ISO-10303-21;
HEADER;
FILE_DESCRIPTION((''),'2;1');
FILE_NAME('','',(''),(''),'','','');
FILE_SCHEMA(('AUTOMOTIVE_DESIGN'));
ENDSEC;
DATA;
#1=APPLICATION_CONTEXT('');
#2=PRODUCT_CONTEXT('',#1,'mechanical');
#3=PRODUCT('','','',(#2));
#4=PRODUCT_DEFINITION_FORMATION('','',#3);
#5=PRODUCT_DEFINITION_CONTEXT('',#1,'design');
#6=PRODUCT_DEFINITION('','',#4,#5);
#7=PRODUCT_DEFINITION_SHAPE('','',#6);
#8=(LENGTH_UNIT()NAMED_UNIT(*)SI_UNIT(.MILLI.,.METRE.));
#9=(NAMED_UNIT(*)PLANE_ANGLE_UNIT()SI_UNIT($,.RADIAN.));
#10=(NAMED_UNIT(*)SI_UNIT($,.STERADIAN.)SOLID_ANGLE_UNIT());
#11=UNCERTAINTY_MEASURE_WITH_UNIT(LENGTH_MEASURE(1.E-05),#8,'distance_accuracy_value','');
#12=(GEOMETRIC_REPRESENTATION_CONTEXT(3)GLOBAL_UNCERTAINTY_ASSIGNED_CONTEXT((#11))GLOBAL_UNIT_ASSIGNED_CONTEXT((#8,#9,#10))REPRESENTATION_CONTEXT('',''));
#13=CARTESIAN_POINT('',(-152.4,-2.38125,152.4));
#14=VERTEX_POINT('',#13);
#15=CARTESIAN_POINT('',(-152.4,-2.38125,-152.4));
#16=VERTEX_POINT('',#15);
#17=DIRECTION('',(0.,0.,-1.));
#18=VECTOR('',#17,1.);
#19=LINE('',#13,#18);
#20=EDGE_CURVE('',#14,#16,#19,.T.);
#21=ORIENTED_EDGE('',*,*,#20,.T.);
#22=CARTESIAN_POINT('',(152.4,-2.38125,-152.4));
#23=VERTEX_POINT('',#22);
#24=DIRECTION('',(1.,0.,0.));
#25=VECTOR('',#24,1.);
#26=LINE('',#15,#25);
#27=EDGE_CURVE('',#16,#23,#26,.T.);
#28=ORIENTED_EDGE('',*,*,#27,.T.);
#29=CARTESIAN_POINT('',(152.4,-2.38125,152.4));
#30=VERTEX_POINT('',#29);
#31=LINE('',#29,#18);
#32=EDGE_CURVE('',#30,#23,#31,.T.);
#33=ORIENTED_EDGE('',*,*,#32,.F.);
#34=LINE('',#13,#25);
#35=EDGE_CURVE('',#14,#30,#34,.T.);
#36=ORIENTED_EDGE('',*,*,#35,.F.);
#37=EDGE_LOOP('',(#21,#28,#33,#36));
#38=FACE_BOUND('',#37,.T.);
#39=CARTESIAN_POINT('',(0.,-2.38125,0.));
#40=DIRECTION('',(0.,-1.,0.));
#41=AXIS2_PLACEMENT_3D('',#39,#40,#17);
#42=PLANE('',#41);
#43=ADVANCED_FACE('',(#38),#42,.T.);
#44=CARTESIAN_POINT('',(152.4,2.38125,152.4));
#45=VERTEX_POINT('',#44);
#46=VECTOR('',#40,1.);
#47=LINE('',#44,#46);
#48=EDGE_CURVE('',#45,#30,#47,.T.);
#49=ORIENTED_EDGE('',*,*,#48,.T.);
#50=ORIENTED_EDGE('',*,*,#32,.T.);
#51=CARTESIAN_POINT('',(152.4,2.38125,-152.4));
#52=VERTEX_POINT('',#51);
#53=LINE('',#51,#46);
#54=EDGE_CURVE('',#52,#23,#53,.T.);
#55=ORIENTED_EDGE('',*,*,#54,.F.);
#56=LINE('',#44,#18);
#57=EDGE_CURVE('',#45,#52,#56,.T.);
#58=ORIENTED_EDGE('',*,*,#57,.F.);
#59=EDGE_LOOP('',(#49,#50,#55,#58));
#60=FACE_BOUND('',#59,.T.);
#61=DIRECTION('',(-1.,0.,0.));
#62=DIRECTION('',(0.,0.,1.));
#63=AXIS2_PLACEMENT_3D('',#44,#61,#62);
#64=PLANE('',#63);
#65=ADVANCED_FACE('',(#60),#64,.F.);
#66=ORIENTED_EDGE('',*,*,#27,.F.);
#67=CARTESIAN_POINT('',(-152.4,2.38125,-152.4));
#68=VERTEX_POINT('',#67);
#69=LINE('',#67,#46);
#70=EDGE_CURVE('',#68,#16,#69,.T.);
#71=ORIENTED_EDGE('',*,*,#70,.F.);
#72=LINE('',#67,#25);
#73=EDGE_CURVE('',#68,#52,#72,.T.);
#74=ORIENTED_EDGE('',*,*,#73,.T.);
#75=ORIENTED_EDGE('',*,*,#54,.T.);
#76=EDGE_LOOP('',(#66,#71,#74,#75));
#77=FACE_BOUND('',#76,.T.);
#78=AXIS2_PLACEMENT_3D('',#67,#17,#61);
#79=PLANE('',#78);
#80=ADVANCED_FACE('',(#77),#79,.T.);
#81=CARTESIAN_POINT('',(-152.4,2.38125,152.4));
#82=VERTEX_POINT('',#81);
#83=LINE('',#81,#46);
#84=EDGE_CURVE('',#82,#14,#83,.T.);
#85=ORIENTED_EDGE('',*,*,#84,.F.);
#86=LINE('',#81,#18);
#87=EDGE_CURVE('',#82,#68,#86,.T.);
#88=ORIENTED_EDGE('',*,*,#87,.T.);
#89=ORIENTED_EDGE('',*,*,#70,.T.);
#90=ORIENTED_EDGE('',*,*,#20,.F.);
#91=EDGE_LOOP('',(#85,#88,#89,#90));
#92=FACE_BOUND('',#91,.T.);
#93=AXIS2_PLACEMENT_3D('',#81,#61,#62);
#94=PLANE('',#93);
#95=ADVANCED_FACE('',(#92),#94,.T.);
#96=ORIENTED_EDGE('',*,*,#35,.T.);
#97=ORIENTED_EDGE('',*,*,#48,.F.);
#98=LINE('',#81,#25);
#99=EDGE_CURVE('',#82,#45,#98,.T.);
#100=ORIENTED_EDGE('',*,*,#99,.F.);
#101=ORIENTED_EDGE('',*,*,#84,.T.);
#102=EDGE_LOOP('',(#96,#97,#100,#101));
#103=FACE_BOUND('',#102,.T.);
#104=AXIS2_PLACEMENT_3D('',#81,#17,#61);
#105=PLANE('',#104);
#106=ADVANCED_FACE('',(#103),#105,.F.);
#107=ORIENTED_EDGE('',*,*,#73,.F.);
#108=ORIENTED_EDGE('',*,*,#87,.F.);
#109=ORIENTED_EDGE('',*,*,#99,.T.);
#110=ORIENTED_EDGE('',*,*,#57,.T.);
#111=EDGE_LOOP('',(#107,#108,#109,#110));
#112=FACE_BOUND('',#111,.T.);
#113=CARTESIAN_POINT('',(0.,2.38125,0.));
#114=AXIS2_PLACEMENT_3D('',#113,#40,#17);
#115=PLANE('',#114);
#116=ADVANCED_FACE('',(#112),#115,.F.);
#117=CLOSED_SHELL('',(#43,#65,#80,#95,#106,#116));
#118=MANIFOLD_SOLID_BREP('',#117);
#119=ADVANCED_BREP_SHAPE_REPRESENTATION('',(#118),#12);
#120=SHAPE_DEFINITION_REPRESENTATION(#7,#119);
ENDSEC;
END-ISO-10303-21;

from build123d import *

# Parameters (mm, degrees)
SKETCH1_W           = 304.8
SKETCH1_H           = 304.8
BOSS_EXTRUDE1_DEPTH = 2.38125


with BuildPart() as part:
    # Sketch1 → Boss-Extrude1 (new, symmetric)
    with BuildSketch(Plane(origin=(0, 0, 0), x_dir=(1, 0, 0), z_dir=(0, 1, 0))):
        Rectangle(SKETCH1_W, SKETCH1_H)
    extrude(amount=BOSS_EXTRUDE1_DEPTH, both=True)


solid = part.part
